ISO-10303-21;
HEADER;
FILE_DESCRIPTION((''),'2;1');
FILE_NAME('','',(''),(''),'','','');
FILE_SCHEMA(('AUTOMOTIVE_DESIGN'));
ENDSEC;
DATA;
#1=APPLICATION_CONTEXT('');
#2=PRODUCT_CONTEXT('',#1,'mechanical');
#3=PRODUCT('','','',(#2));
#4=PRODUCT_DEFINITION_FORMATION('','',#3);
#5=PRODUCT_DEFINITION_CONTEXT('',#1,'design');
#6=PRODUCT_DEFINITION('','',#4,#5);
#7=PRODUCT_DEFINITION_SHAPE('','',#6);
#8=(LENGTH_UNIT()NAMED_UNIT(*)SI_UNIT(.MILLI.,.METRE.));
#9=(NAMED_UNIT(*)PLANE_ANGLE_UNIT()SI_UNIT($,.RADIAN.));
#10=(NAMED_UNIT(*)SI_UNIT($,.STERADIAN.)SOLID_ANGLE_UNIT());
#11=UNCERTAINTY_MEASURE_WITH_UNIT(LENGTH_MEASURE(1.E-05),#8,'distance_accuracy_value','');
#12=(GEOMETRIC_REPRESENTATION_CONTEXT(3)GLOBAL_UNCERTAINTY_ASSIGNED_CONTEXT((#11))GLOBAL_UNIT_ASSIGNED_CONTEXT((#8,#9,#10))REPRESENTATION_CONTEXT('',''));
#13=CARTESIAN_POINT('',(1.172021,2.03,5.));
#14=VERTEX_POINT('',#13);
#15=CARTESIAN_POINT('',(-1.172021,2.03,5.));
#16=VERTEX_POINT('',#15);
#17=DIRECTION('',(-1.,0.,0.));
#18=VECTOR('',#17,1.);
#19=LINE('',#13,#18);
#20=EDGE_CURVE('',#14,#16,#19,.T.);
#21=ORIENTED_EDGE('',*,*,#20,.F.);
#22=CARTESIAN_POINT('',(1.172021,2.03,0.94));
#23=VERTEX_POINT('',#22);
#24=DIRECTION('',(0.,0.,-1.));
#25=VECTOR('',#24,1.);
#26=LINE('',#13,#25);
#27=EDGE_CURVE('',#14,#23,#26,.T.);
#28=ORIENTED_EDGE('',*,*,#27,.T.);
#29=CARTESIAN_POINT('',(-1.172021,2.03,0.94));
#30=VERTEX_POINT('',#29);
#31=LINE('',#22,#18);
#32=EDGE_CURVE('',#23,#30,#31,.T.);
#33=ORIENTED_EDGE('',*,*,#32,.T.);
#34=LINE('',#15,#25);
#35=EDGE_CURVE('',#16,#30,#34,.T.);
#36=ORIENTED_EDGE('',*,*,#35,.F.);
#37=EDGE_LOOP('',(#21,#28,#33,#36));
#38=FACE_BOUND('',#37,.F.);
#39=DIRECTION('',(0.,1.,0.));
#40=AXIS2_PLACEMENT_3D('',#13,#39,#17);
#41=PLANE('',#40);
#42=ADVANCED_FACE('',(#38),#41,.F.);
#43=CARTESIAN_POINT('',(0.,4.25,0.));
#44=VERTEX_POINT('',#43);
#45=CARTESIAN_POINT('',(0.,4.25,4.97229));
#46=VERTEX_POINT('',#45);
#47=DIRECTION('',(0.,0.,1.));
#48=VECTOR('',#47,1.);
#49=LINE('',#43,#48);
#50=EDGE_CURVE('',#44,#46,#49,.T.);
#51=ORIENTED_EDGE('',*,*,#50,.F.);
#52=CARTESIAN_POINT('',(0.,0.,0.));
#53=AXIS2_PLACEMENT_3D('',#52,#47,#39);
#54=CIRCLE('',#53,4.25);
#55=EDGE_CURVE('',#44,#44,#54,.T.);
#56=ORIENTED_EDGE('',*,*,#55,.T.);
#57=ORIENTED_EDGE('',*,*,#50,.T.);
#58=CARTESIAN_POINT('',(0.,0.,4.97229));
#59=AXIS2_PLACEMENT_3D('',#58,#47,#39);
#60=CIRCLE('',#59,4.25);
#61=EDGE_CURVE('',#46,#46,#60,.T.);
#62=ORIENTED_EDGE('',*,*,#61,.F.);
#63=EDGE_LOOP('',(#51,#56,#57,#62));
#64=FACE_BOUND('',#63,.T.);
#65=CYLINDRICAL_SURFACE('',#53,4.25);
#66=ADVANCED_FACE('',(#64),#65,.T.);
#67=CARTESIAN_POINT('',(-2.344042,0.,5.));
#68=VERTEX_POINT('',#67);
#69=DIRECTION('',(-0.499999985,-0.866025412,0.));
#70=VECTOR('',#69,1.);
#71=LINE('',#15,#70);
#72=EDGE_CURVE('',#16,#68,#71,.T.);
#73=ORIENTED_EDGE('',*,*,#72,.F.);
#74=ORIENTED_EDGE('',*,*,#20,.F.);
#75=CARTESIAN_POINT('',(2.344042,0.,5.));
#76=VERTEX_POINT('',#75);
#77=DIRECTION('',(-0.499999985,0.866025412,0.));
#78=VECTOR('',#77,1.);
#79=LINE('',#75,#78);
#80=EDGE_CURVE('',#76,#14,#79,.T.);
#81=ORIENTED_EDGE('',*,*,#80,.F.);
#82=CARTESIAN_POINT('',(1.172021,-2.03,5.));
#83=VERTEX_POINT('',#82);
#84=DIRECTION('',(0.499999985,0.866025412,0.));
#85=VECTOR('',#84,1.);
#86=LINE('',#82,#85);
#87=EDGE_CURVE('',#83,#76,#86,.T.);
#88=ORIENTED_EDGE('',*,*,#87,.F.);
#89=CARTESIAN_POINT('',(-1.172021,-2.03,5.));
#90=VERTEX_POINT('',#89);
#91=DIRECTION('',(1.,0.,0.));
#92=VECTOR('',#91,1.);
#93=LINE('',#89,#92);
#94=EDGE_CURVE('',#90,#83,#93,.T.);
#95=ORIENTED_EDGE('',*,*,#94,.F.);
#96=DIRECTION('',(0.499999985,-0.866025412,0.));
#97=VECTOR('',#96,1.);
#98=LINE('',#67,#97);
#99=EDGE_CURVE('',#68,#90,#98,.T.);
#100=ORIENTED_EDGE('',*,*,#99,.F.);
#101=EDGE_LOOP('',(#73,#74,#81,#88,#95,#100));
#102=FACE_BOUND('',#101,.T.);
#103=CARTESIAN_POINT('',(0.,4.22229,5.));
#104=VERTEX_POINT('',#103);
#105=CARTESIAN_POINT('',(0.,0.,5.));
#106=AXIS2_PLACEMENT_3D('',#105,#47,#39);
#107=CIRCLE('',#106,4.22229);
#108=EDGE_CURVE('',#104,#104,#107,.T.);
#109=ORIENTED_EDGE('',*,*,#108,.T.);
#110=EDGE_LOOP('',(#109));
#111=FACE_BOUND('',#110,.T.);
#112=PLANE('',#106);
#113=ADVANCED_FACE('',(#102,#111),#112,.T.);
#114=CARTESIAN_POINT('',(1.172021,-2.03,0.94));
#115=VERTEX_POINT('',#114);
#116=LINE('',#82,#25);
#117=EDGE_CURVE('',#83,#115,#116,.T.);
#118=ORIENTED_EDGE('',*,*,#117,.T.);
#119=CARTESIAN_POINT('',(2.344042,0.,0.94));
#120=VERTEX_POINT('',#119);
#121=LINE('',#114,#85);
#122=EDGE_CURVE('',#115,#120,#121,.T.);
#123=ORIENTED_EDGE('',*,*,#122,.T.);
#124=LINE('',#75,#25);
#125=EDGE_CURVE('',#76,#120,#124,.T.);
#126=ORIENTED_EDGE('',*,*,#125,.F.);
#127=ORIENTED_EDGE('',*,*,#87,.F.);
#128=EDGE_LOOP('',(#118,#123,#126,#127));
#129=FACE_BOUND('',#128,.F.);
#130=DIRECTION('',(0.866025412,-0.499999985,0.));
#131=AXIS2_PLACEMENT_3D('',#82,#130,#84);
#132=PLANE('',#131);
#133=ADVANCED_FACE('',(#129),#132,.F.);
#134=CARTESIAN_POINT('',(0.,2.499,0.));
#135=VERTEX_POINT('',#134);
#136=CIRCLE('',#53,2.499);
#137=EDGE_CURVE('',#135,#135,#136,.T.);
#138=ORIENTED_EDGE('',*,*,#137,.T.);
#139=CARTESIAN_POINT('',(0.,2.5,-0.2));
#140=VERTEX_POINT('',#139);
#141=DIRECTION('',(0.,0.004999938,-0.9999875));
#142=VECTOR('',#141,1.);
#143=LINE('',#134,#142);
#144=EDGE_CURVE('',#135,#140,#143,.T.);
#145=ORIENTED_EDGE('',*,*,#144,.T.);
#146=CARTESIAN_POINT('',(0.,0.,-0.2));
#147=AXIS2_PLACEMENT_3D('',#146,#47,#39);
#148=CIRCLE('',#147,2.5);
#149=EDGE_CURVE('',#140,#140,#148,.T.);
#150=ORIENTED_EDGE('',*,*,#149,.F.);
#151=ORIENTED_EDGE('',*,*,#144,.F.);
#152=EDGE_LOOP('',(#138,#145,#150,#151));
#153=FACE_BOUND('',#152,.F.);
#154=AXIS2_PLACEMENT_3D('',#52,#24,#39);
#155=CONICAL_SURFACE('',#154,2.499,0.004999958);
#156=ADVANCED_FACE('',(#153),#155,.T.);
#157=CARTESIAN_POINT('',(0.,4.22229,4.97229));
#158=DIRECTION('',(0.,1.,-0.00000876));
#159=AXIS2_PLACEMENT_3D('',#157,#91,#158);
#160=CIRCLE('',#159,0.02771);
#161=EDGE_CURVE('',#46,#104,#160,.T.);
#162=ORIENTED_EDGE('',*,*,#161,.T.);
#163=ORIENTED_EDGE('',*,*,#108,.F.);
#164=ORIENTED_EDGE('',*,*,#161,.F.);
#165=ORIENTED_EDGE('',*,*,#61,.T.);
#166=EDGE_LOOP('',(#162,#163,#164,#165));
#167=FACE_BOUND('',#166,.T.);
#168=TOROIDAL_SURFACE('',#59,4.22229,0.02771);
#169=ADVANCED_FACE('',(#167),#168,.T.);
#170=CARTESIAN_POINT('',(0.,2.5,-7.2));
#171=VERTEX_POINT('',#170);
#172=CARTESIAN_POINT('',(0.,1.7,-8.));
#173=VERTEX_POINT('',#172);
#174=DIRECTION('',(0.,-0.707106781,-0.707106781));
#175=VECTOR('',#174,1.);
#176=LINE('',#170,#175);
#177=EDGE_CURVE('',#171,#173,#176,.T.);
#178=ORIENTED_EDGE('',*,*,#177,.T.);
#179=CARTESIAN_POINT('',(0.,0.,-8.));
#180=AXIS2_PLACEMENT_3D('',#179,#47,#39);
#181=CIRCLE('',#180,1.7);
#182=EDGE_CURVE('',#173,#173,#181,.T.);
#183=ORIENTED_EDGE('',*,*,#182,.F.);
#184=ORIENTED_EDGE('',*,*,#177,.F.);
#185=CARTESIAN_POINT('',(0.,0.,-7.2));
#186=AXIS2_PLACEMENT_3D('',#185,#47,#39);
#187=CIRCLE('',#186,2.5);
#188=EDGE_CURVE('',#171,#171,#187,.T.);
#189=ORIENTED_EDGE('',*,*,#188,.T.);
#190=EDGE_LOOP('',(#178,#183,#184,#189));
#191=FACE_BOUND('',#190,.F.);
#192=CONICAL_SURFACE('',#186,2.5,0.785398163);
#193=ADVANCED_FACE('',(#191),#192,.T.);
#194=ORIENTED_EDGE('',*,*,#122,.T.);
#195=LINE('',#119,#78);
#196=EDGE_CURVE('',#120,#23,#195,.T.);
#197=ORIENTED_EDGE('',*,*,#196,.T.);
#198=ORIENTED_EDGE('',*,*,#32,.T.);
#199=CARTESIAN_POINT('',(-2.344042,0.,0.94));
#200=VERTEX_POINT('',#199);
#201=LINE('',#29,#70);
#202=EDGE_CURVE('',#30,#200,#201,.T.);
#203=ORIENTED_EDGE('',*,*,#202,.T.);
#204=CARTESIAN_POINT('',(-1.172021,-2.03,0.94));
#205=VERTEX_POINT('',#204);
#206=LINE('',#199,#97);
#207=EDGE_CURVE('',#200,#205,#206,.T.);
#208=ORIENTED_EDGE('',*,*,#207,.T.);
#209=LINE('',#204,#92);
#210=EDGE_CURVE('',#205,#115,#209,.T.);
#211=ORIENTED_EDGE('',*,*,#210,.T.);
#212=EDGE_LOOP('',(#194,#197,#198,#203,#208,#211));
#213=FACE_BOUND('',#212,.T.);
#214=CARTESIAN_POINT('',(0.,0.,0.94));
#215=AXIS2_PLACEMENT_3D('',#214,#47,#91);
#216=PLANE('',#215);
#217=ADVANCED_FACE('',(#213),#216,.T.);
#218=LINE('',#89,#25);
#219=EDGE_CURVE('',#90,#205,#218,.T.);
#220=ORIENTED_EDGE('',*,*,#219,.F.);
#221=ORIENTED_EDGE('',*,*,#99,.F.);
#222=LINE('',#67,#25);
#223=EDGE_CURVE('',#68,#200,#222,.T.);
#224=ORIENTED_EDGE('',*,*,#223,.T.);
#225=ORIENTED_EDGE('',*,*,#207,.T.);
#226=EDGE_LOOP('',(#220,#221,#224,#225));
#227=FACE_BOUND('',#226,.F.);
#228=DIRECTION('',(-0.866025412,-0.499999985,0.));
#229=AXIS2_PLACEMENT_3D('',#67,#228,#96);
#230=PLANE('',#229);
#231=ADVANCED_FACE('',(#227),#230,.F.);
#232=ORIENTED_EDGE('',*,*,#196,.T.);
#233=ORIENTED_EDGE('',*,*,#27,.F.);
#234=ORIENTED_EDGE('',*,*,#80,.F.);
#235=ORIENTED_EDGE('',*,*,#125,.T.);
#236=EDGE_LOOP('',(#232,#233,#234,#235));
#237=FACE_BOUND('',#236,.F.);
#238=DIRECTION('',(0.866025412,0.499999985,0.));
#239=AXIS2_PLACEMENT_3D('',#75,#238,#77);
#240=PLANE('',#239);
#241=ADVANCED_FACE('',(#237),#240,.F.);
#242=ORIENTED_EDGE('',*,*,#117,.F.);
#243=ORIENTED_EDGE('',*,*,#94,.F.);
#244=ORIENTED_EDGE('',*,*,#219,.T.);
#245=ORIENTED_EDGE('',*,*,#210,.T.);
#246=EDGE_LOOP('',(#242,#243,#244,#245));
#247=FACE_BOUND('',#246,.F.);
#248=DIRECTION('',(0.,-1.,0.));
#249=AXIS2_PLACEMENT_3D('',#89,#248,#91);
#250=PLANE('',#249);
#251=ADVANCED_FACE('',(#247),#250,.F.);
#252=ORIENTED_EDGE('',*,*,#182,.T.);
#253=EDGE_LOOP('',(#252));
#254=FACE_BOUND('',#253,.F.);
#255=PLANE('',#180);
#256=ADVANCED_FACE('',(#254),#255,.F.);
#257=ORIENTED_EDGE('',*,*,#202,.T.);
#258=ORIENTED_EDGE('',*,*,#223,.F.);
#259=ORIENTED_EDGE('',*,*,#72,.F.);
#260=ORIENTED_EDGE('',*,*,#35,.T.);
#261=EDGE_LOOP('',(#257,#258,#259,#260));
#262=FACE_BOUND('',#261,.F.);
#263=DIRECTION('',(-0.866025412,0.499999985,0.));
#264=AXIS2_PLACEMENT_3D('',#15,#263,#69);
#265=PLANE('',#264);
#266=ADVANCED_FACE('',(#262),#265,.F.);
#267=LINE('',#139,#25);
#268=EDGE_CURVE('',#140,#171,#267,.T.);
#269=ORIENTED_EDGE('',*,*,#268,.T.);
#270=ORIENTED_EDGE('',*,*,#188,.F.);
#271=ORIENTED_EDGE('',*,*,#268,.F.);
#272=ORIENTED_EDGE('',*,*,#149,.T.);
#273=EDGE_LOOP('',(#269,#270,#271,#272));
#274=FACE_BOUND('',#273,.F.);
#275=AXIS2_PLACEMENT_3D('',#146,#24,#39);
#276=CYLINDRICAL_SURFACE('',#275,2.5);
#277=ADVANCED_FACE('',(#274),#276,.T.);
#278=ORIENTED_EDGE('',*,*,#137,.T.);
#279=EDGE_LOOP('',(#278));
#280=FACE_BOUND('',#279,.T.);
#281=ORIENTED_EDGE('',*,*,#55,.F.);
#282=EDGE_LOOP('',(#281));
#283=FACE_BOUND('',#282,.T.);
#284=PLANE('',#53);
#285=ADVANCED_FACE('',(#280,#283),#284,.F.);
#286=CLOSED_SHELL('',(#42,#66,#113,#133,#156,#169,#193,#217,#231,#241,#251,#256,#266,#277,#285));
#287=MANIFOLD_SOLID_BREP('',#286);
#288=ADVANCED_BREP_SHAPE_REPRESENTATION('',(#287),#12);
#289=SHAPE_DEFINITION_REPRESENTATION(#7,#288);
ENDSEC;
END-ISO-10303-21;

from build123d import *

# Parameters (mm, degrees)
POCKET_DEPTH = 4.06


with BuildPart() as part:
    # Sketch → Revolve (revolve)
    with BuildSketch(Plane.YZ):
        with BuildLine():
            Line((2.499, 0), (4.25, 0))
            Line((4.25, 0), (4.25, 4.97229))
            ThreePointArc((4.25, 4.97229), (4.241884, 4.991884), (4.22229, 5))
            Line((4.22229, 5), (0, 5))
            Line((0, -8), (0, 5))
            Line((1.7, -8), (0, -8))
            Line((2.5, -7.2), (1.7, -8))
            Line((2.5, -0.2), (2.5, -7.2))
            Line((2.499, 0), (2.5, -0.2))
        make_face()
    revolve(axis=Axis((0, 0, 0), (0, 0, 1)))

    # Sketch001 → Pocket (cut)
    with BuildSketch(Plane.XY.offset(5)):
        Polygon((2.344042, 0), (1.172021, 2.03), (-1.172021, 2.03), (-2.344042, 0), (-1.172021, -2.03), (1.172021, -2.03), align=None)
    extrude(amount=-POCKET_DEPTH, mode=Mode.SUBTRACT)


solid = part.part
